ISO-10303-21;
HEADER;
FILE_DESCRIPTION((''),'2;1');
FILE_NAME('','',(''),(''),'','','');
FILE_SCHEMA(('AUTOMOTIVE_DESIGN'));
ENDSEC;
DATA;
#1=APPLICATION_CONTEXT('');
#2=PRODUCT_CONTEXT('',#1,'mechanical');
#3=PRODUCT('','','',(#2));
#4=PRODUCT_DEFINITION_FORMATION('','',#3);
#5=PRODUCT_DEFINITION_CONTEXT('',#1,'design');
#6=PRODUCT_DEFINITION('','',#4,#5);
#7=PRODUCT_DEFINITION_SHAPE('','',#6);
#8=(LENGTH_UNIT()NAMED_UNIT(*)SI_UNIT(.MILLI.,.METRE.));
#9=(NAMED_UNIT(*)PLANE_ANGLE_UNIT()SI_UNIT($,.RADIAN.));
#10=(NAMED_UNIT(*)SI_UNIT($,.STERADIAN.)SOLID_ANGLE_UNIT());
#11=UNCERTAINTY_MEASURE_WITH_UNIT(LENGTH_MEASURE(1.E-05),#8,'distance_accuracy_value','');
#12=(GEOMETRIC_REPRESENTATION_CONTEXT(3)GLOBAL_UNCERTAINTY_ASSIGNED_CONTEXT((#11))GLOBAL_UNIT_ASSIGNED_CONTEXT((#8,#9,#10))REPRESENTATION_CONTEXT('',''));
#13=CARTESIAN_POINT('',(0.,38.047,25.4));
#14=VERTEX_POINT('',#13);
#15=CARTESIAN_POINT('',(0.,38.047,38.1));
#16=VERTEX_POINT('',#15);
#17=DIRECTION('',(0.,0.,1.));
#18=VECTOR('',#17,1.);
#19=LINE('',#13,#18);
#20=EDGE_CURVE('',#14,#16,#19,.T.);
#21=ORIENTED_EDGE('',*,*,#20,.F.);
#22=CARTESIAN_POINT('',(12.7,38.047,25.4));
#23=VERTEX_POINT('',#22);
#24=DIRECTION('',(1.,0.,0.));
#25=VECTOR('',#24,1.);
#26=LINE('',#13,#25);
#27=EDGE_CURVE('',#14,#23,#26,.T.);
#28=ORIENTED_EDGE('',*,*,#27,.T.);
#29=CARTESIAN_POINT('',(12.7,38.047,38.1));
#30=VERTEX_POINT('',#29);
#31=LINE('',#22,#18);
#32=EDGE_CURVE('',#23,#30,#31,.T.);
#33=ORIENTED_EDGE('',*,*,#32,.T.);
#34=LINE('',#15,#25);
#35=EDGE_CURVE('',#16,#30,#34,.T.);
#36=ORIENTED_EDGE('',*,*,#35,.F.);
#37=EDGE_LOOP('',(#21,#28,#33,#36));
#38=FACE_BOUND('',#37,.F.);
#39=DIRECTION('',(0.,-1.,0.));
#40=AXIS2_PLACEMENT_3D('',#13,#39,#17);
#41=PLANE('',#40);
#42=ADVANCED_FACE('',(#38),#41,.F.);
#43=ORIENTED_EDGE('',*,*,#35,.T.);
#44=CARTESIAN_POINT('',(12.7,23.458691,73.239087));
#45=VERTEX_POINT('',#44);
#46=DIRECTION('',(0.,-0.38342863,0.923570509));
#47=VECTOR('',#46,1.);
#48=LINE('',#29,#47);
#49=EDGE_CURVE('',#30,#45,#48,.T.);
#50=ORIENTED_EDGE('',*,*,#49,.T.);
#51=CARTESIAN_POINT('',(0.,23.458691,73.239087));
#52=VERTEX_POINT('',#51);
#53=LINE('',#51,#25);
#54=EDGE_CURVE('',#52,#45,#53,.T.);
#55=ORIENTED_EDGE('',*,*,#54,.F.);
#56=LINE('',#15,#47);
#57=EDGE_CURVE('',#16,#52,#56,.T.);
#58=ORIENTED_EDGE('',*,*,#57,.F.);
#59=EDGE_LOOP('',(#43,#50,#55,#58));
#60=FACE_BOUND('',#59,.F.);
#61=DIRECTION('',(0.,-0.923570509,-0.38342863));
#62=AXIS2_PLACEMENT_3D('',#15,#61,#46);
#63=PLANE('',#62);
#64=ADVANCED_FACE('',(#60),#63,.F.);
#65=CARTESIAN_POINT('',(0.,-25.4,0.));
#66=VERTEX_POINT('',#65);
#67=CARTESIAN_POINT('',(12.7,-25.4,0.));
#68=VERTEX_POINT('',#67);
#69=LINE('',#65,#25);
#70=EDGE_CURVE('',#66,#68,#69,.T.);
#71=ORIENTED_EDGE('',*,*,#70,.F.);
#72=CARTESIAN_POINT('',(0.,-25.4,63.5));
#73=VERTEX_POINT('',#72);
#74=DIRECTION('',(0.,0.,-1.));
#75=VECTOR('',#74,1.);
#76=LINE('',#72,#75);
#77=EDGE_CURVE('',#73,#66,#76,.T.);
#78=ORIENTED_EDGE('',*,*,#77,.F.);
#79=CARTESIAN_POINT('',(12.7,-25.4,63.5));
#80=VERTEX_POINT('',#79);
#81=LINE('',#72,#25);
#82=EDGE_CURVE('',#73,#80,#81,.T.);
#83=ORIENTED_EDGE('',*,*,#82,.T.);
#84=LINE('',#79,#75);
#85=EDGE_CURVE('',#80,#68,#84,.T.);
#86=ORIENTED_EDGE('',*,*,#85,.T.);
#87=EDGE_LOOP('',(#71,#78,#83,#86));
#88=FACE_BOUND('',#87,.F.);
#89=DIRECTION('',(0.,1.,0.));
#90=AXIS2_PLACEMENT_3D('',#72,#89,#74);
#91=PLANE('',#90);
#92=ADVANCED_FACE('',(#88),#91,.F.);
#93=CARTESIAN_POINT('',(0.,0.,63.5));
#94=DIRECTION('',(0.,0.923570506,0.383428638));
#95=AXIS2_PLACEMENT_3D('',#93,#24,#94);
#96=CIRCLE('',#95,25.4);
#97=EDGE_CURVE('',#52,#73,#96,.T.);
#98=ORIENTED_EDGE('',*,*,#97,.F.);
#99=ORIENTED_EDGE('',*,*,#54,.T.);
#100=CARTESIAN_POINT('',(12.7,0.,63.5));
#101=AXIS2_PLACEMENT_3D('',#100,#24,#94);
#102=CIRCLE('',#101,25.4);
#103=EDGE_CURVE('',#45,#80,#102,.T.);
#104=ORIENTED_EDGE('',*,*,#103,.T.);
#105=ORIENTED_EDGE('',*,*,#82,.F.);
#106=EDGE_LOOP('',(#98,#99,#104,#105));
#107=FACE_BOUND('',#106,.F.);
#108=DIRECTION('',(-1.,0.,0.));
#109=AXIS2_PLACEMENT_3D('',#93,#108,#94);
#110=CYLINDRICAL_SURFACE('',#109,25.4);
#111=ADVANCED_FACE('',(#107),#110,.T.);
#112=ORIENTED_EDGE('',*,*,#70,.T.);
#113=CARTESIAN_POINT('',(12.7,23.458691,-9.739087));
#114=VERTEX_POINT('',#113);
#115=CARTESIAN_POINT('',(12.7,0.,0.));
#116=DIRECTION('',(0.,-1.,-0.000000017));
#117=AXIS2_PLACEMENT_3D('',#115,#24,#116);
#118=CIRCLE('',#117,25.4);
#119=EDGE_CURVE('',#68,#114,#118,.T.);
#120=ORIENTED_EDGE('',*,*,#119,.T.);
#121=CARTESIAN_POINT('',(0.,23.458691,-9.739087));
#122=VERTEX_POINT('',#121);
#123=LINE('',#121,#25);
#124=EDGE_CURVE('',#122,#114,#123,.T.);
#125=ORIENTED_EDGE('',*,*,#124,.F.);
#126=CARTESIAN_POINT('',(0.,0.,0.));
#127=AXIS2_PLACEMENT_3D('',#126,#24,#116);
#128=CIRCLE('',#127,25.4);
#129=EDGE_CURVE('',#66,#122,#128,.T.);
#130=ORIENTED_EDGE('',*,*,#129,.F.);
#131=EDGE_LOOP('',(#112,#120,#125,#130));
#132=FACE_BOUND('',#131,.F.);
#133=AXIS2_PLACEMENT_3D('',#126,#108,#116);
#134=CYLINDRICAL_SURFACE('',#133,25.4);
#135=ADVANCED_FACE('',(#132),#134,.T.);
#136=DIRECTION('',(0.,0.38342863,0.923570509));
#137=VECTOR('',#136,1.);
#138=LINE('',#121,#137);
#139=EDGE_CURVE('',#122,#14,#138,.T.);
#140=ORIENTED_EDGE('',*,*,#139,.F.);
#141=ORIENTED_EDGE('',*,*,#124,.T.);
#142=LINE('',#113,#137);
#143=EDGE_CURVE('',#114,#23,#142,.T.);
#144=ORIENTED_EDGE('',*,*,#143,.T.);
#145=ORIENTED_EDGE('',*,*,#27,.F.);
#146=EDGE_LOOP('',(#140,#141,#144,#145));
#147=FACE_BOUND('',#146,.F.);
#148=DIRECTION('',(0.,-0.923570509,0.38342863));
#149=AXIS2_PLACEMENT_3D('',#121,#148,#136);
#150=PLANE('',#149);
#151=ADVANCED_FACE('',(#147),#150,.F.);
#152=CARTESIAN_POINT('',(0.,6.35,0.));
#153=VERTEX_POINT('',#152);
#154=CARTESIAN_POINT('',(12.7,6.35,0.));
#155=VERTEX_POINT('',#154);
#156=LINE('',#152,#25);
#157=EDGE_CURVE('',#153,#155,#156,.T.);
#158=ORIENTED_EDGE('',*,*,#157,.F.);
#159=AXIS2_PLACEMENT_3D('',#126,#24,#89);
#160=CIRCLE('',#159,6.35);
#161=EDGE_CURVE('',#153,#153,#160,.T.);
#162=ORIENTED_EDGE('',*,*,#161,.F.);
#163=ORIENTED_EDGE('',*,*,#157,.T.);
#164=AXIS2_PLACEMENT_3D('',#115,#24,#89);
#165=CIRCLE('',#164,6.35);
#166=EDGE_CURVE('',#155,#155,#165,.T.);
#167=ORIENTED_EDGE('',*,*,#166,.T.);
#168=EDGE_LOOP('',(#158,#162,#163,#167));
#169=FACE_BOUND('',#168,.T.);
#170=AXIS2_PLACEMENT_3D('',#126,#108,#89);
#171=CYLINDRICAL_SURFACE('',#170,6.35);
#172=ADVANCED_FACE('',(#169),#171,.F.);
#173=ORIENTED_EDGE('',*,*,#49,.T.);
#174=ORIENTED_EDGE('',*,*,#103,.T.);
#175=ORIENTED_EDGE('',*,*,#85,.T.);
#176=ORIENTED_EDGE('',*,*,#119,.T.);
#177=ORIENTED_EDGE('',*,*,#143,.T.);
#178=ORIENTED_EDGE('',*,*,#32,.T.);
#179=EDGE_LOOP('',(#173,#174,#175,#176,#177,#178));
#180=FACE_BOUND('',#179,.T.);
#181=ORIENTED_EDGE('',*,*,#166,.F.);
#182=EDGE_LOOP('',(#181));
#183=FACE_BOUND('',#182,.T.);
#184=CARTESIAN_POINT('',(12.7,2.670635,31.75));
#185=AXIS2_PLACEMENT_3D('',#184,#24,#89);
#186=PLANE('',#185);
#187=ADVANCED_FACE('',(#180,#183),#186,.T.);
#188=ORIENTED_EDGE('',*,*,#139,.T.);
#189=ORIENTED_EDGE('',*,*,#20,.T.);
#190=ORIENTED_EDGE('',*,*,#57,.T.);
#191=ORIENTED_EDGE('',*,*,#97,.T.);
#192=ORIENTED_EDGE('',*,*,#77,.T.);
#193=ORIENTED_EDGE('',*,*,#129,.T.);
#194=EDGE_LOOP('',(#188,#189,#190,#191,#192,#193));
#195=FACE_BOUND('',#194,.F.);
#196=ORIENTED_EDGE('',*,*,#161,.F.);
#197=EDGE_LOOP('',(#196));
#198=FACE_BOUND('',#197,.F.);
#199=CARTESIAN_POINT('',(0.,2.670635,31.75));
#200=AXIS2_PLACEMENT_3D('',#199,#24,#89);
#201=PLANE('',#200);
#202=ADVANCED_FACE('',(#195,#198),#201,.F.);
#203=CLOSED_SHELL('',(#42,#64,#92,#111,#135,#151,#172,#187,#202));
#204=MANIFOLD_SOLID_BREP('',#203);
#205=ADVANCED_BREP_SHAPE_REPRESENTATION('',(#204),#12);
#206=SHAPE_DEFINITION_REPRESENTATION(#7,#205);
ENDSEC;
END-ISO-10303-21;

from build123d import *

# Parameters (mm, degrees)
F0_R     = 6.35
F1_DEPTH = 12.7


with BuildPart() as f1:
    # F0 (on Right) → F1 (new body)
    with BuildSketch(Plane.YZ):
        with BuildLine():
            ThreePointArc((-25.4, 0), (-4.965342, -24.909945), (23.458691, -9.739087))
            Line((23.458691, -9.739087), (38.047, 25.4))
            Line((38.047, 25.4), (38.047, 38.1))
            Line((38.047, 38.1), (23.458691, 73.239087))
            ThreePointArc((23.458691, 73.239087), (-4.965342, 88.409945), (-25.4, 63.5))
            Line((-25.4, 63.5), (-25.4, 0))
        make_face()
        Circle(F0_R, mode=Mode.SUBTRACT)
    extrude(amount=F1_DEPTH)


solid = f1.part
